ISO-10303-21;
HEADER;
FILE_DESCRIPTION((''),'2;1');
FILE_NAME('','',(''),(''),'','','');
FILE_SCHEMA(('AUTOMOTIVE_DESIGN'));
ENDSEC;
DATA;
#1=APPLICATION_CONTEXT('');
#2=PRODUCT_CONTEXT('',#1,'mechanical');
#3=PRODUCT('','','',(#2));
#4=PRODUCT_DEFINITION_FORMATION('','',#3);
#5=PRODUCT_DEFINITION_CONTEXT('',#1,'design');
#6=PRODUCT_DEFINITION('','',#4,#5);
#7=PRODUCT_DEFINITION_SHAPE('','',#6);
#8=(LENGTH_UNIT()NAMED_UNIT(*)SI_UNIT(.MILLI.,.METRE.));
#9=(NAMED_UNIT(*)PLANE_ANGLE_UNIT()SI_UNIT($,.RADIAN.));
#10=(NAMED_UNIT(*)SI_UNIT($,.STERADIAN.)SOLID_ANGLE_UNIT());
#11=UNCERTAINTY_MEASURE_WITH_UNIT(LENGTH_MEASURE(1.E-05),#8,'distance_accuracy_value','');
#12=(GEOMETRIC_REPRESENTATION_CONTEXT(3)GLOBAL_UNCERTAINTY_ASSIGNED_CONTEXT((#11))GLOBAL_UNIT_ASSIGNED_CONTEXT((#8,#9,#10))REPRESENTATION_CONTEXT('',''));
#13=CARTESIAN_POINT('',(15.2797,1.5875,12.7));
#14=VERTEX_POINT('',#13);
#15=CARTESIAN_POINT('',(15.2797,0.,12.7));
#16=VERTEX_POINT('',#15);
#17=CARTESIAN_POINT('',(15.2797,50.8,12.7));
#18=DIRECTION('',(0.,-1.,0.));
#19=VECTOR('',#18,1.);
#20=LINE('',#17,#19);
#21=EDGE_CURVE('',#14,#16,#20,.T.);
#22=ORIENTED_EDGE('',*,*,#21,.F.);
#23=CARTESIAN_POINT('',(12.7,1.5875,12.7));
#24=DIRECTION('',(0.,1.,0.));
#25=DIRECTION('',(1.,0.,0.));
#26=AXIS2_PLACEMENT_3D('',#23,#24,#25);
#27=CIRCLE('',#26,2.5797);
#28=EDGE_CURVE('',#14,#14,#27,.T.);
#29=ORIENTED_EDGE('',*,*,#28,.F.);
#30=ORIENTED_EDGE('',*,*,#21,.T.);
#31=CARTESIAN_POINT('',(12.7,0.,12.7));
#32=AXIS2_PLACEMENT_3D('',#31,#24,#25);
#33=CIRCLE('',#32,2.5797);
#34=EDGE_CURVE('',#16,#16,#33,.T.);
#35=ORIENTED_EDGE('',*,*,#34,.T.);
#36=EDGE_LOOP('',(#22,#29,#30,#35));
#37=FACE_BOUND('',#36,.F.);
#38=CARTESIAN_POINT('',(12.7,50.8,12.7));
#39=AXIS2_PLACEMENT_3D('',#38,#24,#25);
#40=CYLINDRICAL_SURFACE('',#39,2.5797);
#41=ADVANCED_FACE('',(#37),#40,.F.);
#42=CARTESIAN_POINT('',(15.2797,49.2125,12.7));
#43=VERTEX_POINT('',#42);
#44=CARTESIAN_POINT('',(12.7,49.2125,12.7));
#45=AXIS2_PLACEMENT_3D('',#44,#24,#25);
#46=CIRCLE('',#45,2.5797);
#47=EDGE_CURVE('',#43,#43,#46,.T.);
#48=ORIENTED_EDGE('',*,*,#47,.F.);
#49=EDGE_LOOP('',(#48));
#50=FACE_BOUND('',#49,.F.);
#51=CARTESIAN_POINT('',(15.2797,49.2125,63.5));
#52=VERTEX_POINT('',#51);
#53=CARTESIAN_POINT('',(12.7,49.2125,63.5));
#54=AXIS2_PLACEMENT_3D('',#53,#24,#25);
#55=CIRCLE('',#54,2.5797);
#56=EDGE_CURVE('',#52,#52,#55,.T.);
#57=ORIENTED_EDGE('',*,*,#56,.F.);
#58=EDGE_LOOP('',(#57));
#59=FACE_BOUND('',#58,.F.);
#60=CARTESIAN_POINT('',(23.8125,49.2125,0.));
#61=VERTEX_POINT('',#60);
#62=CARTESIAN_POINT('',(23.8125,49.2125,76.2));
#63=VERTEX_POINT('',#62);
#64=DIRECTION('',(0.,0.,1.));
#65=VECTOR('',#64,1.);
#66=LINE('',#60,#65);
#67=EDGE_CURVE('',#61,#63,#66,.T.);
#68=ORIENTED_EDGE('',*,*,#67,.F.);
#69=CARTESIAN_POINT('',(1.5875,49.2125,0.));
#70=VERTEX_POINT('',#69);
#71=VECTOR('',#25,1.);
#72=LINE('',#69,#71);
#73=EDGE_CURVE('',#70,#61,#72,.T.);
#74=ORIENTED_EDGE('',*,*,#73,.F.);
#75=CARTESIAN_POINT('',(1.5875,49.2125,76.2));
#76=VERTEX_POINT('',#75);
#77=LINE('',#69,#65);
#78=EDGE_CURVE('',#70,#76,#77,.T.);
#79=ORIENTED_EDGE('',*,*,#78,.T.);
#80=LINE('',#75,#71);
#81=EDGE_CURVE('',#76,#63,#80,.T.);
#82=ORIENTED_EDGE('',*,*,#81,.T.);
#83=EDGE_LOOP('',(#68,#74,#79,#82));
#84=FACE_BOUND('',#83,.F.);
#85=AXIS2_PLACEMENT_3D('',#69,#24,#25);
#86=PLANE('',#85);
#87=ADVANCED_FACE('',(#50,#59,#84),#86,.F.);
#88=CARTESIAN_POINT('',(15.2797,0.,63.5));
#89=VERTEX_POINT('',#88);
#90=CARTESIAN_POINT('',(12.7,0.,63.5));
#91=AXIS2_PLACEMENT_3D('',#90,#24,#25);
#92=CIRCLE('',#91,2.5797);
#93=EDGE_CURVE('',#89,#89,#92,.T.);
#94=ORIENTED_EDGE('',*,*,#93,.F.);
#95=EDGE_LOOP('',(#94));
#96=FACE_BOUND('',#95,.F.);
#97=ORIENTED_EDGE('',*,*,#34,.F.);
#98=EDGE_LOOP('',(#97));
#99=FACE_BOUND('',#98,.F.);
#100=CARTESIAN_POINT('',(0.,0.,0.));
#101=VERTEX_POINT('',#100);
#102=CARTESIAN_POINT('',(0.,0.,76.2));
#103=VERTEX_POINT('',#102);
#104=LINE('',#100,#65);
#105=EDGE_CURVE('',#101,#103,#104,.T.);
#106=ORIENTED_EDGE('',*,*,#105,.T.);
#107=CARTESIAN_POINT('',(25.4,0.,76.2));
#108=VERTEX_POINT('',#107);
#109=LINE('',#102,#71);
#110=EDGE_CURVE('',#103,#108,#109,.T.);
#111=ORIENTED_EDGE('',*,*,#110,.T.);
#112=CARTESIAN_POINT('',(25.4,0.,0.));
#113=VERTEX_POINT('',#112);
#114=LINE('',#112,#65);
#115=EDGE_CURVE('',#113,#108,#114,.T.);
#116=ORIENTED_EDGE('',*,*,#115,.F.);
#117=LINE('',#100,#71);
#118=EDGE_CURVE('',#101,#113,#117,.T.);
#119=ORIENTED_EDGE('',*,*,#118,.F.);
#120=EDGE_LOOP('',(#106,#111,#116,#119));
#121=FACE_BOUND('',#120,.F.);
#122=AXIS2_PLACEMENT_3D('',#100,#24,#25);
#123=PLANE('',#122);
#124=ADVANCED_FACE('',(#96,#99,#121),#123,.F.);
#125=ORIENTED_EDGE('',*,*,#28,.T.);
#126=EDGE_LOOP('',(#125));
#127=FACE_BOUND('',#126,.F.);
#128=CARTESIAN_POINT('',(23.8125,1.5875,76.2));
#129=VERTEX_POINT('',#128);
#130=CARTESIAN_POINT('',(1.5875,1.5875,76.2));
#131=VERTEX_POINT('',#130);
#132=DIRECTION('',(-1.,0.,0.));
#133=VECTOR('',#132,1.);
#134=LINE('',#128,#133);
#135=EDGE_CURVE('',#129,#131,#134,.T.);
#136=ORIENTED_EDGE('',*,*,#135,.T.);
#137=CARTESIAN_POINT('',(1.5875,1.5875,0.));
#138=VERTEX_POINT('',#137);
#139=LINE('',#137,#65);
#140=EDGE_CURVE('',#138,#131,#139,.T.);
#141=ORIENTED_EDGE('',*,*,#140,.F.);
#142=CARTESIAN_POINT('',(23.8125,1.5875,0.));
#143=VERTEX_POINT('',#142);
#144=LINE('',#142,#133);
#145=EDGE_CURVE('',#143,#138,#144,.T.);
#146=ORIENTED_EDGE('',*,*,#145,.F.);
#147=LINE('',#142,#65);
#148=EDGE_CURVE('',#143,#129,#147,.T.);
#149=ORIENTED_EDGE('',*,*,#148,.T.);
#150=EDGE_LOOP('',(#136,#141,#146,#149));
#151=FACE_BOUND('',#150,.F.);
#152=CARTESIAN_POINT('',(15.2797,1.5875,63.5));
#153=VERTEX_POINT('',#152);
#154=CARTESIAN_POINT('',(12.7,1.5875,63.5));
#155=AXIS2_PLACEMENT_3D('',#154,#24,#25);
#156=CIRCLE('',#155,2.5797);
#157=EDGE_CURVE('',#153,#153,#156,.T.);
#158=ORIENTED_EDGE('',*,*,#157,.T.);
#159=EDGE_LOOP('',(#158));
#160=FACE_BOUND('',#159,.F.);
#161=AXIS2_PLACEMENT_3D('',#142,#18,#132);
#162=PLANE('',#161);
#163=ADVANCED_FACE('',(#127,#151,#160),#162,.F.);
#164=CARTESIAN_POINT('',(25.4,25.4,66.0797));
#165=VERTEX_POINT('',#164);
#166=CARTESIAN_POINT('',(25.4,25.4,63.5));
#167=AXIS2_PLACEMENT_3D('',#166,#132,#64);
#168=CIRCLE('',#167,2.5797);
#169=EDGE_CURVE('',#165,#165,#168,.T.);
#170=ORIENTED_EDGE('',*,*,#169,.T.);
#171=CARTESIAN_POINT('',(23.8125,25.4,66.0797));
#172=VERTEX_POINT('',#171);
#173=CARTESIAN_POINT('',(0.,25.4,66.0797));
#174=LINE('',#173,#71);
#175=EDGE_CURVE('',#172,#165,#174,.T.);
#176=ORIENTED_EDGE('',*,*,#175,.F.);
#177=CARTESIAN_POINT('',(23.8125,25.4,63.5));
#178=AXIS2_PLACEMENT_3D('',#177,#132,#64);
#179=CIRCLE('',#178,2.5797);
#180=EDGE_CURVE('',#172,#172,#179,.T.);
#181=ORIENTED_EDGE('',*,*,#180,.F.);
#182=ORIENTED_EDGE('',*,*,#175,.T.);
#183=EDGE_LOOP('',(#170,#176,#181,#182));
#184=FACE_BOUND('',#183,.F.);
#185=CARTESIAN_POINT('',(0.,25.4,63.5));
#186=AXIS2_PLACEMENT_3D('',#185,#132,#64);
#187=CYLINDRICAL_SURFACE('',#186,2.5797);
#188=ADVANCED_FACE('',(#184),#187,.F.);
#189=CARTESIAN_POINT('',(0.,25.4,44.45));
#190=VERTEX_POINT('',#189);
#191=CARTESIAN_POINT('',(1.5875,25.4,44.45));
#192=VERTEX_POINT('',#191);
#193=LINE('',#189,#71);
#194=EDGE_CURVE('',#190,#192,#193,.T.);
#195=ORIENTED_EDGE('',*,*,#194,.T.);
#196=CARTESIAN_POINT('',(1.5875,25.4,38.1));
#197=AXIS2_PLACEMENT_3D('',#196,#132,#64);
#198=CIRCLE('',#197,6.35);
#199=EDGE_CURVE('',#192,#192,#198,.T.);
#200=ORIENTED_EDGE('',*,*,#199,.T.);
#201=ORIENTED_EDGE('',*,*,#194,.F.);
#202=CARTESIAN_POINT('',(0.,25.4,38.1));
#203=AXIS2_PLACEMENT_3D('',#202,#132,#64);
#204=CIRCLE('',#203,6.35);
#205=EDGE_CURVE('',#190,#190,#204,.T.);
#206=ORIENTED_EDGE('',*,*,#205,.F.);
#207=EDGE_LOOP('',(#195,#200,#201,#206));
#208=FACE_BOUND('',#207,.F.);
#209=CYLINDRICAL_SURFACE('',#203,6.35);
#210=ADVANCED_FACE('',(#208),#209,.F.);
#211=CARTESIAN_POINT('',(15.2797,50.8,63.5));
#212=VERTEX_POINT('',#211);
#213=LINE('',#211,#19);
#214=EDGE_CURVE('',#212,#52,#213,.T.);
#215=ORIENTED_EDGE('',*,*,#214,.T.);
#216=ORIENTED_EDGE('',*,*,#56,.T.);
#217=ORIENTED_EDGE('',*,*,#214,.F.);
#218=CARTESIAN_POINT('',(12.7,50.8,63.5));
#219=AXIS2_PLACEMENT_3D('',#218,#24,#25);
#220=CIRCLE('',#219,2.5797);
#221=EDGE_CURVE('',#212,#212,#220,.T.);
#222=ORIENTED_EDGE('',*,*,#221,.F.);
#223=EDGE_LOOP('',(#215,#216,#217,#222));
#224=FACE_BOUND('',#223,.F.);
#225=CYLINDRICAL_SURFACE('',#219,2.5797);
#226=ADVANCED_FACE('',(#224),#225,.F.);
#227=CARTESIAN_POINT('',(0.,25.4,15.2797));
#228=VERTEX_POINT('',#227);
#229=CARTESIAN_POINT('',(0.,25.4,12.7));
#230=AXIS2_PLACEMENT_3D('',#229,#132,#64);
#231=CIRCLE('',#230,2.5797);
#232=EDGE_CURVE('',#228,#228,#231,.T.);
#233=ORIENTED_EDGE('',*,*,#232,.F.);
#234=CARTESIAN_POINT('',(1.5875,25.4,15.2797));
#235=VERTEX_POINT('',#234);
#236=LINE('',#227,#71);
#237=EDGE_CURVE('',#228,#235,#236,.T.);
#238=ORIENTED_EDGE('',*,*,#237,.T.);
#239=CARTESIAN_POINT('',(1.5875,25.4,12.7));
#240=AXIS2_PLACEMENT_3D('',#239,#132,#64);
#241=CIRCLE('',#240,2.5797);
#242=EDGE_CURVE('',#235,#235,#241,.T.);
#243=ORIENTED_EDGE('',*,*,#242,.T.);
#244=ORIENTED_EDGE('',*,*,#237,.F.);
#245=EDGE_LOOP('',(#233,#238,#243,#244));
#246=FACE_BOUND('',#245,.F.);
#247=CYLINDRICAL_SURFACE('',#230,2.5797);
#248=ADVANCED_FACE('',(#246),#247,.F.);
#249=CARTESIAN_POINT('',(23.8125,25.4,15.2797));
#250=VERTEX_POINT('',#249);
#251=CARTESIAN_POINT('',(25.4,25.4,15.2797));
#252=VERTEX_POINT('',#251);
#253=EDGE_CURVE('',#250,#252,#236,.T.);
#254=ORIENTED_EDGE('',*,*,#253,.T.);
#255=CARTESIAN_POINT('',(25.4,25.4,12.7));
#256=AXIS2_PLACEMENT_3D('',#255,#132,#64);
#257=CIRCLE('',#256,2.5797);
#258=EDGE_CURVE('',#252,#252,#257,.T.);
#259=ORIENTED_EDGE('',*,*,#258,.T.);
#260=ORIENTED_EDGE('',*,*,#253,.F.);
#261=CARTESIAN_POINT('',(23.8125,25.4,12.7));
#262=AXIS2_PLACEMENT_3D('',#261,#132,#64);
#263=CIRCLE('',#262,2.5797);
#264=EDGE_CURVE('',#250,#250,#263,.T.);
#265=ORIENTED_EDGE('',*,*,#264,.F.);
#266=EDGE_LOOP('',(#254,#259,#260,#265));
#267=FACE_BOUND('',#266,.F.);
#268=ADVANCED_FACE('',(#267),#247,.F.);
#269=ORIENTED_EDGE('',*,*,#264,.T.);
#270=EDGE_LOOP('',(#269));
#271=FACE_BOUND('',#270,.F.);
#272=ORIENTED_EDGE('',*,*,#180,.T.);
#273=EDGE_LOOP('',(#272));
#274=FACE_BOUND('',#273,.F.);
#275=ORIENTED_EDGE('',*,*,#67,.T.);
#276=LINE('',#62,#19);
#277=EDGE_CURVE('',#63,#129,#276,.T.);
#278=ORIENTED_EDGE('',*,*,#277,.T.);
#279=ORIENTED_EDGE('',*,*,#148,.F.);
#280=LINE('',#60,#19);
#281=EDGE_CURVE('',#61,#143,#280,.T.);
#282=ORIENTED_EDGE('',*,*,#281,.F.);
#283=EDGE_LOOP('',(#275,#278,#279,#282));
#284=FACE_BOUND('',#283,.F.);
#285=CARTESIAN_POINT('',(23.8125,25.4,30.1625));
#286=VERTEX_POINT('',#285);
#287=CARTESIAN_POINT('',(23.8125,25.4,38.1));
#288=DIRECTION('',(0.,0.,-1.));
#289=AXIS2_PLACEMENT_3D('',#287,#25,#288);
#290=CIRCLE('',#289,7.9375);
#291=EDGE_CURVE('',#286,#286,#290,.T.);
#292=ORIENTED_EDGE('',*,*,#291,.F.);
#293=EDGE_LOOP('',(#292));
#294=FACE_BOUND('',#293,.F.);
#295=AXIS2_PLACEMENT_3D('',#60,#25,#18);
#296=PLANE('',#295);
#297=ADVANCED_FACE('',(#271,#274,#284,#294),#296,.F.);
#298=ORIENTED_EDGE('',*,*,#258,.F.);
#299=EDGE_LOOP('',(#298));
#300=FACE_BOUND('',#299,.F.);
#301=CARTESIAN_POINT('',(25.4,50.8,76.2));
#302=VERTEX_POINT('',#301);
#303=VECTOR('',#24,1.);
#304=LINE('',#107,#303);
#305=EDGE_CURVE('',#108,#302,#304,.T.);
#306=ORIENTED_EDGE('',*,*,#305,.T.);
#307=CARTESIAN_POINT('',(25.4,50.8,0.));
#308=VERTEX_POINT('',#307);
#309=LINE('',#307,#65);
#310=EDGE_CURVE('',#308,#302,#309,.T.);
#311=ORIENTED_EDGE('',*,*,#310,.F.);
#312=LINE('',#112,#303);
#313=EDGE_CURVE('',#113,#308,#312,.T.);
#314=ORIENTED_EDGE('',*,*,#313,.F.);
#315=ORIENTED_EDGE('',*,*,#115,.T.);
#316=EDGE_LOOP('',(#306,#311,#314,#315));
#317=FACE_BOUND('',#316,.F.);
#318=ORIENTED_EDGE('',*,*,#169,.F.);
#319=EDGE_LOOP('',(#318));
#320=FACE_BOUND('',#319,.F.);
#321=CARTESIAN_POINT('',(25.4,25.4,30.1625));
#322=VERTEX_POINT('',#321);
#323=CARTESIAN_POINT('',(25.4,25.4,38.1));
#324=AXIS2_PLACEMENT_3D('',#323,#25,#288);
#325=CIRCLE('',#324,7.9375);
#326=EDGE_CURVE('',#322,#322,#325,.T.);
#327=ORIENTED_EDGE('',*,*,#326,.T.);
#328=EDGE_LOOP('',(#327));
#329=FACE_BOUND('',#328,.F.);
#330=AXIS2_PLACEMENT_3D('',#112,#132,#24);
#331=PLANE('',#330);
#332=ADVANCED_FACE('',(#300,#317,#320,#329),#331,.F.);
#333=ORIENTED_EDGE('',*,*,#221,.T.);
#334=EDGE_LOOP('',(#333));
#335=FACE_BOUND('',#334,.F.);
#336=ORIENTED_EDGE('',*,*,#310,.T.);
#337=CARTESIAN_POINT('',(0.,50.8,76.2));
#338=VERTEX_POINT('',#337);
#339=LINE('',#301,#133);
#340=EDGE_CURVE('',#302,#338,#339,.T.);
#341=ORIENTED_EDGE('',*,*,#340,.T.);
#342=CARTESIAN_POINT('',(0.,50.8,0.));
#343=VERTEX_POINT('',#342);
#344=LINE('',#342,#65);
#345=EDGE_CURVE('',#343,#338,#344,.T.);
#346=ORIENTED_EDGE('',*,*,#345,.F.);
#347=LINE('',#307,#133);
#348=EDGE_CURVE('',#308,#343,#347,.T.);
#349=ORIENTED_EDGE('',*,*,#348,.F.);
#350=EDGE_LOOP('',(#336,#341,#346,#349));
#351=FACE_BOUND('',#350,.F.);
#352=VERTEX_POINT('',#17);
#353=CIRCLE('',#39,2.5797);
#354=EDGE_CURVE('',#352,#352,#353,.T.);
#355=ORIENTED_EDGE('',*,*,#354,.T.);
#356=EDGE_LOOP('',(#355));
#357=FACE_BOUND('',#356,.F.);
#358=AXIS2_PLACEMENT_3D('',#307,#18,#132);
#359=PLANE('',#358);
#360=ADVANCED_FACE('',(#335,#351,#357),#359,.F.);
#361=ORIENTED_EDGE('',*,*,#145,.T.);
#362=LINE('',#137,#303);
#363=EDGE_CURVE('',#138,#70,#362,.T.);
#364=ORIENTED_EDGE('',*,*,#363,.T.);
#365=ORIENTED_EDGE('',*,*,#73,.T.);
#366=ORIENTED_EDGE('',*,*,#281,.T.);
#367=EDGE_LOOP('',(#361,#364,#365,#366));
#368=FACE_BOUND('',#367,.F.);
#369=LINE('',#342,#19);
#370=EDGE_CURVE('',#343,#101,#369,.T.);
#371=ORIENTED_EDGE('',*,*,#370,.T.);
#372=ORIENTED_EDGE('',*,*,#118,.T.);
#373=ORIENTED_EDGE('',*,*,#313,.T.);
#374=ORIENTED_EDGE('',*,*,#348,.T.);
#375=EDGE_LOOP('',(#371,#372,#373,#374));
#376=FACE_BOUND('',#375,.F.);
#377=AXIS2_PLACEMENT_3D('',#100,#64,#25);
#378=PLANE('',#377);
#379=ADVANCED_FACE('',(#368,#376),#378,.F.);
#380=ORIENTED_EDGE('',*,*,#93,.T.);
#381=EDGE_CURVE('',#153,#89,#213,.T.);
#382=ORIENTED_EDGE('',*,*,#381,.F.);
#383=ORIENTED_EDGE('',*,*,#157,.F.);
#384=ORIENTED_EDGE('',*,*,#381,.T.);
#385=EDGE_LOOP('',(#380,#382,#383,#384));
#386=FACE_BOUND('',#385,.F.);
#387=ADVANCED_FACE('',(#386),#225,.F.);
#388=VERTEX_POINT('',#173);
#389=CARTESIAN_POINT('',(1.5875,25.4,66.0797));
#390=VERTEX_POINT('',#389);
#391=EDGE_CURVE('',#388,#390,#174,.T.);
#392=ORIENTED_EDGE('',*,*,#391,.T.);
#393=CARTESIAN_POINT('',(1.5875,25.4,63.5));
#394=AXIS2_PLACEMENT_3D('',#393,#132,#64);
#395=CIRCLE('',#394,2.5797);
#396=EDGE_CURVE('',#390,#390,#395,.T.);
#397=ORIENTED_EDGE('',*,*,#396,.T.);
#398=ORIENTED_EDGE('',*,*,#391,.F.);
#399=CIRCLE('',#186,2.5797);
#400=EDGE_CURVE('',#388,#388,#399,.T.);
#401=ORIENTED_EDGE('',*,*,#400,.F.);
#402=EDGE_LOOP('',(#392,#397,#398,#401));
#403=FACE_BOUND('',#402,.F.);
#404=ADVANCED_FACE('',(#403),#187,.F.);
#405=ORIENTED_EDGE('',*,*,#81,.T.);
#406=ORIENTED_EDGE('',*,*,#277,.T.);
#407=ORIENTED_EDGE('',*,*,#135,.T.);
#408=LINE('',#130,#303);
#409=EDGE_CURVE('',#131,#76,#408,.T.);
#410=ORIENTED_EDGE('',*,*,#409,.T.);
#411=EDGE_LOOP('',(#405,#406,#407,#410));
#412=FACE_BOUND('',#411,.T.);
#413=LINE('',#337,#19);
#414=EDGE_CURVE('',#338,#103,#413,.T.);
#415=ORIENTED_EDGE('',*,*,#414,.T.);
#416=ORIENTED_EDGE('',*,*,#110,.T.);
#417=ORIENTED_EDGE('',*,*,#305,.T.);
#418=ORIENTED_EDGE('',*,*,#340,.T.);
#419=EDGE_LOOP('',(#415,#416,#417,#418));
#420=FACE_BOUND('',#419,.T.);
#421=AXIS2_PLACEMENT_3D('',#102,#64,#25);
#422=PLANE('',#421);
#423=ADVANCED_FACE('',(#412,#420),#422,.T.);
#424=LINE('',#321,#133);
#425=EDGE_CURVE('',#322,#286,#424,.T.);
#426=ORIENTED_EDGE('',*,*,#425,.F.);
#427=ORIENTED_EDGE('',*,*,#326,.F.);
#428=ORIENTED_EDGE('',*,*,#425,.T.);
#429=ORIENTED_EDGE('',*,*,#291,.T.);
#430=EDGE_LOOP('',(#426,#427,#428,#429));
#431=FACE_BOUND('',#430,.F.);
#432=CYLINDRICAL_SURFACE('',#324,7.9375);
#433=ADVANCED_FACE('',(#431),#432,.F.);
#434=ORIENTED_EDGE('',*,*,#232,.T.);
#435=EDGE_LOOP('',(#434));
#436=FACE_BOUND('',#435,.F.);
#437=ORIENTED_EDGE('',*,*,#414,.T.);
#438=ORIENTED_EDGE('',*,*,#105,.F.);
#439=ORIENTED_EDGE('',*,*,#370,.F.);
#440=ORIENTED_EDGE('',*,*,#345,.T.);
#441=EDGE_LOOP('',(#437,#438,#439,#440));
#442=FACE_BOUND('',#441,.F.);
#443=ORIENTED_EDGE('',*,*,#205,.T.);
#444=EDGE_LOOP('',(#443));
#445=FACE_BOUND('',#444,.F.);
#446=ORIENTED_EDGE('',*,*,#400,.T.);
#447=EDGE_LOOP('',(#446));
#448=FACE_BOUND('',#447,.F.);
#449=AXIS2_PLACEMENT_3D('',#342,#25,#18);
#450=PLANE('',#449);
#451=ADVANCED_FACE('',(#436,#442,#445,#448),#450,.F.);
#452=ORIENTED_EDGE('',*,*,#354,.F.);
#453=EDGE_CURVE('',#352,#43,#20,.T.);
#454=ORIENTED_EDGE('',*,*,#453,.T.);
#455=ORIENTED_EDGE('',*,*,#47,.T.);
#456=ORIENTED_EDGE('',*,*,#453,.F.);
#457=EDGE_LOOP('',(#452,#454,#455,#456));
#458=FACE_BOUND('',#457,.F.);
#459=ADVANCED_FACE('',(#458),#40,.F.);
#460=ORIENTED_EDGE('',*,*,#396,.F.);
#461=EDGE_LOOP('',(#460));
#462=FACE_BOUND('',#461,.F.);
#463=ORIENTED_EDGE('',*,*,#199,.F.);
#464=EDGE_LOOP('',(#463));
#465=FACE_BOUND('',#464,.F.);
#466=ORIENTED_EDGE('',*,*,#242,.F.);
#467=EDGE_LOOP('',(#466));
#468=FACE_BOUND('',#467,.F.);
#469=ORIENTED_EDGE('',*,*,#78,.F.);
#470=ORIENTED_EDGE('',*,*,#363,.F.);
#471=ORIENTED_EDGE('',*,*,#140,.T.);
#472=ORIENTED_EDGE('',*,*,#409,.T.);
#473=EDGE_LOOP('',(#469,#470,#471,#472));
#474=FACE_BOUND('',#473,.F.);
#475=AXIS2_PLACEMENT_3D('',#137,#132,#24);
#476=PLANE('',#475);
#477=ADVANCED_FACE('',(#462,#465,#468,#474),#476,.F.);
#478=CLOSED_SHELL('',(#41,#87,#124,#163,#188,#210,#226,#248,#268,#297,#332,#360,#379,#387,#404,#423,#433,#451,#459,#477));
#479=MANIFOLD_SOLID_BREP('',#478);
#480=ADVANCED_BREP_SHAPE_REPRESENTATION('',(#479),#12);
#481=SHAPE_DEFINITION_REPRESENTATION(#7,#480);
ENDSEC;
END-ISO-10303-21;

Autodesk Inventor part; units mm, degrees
ref_plane "YZ Plane" through (0, 0, 0) normal (1, 0, 0) x (0, 1, 0)
ref_plane "XZ Plane" through (0, 0, 0) normal (0, 1, 0) x (-1, 0, 0)
ref_plane "XY Plane" through (0, 0, 0) normal (0, 0, 1) x (1, 0, 0)
sketch "Sketch1" plane through (0, 0, 0) normal (0, 0, 1) x (1, 0, 0)
  line L0 (0, 0) -> (25.4, 0)
  line L1 (25.4, 0) -> (25.4, 50.8)
  line L2 (25.4, 50.8) -> (0, 50.8)
  line L3 (0, 50.8) -> (0, 0)
  line L4 (1.5875, 49.2125) -> (23.8125, 49.2125)
  line L5 (23.8125, 49.2125) -> (23.8125, 1.5875)
  line L6 (23.8125, 1.5875) -> (1.5875, 1.5875)
  line L7 (1.5875, 1.5875) -> (1.5875, 49.2125)
  dimension "d0" = 25.4
  dimension "d1" = 50.8
  dimension "d2" = 1.5875
extrude "Extrusion1" add sketch "Sketch1" along normal blind 76.2
sketch "Sketch2" plane through (25.4, 0, 0) normal (1, 0, 0) x (0, 0, -1)
  circle A0 centre (-38.1, 25.4) radius 7.9375
  point P0 (0, 0)
  dimension "d5" = 15.875
extrude "Extrusion2" cut sketch "Sketch2" against normal blind 4.7625
sketch "Sketch3" plane through (0, 0, 0) normal (-1, 0, 0) x (0, 0, 1)
  circle A0 centre (38.1, 25.4) radius 7.9375 projected
  circle A1 centre (38.1, 25.4) radius 6.35
  point P0 (0, 0)
  dimension "d8" = 12.7
extrude "Extrusion3" cut sketch "Sketch3" against normal blind 4.7625 contours A1
sketch "Sketch4" plane through (0, 0, 0) normal (-1, 0, 0) x (0, 0, 1)
  line L0 (0, 1.5875) -> (0, 49.2125) construction
  line L1 (0, 25.4) -> (12.7, 25.4) construction
  line L2 (12.7, 25.4) -> (63.5, 25.4) construction
  circle A0 centre (12.7, 25.4) radius 2.5797
  circle A1 centre (63.5, 25.4) radius 2.5797
  point P0 (0, 0)
  dimension "d11" = 12.7
  dimension "d12" = 50.8
  dimension "d13" = 5.1594
extrude "Extrusion4" cut sketch "Sketch4" against normal blind 55.5625
sketch "Sketch5" plane through (0, 50.8, 0) normal (0, 1, 0) x (1, 0, 0)
  line L0 (23.8125, 0) -> (1.5875, 0) construction
  line L1 (12.7, 0) -> (12.7, -12.7) construction
  line L2 (12.7, -12.7) -> (12.7, -63.5) construction
  circle A0 centre (12.7, -12.7) radius 2.5797
  circle A1 centre (12.7, -63.5) radius 2.5797
  point P0 (0, 0)
  dimension "d16" = 12.7
  dimension "d17" = 50.8
  dimension "d18" = 5.1594
extrude "Extrusion5" cut sketch "Sketch5" against normal blind 66.675
properties part number "new piston mount v1"
